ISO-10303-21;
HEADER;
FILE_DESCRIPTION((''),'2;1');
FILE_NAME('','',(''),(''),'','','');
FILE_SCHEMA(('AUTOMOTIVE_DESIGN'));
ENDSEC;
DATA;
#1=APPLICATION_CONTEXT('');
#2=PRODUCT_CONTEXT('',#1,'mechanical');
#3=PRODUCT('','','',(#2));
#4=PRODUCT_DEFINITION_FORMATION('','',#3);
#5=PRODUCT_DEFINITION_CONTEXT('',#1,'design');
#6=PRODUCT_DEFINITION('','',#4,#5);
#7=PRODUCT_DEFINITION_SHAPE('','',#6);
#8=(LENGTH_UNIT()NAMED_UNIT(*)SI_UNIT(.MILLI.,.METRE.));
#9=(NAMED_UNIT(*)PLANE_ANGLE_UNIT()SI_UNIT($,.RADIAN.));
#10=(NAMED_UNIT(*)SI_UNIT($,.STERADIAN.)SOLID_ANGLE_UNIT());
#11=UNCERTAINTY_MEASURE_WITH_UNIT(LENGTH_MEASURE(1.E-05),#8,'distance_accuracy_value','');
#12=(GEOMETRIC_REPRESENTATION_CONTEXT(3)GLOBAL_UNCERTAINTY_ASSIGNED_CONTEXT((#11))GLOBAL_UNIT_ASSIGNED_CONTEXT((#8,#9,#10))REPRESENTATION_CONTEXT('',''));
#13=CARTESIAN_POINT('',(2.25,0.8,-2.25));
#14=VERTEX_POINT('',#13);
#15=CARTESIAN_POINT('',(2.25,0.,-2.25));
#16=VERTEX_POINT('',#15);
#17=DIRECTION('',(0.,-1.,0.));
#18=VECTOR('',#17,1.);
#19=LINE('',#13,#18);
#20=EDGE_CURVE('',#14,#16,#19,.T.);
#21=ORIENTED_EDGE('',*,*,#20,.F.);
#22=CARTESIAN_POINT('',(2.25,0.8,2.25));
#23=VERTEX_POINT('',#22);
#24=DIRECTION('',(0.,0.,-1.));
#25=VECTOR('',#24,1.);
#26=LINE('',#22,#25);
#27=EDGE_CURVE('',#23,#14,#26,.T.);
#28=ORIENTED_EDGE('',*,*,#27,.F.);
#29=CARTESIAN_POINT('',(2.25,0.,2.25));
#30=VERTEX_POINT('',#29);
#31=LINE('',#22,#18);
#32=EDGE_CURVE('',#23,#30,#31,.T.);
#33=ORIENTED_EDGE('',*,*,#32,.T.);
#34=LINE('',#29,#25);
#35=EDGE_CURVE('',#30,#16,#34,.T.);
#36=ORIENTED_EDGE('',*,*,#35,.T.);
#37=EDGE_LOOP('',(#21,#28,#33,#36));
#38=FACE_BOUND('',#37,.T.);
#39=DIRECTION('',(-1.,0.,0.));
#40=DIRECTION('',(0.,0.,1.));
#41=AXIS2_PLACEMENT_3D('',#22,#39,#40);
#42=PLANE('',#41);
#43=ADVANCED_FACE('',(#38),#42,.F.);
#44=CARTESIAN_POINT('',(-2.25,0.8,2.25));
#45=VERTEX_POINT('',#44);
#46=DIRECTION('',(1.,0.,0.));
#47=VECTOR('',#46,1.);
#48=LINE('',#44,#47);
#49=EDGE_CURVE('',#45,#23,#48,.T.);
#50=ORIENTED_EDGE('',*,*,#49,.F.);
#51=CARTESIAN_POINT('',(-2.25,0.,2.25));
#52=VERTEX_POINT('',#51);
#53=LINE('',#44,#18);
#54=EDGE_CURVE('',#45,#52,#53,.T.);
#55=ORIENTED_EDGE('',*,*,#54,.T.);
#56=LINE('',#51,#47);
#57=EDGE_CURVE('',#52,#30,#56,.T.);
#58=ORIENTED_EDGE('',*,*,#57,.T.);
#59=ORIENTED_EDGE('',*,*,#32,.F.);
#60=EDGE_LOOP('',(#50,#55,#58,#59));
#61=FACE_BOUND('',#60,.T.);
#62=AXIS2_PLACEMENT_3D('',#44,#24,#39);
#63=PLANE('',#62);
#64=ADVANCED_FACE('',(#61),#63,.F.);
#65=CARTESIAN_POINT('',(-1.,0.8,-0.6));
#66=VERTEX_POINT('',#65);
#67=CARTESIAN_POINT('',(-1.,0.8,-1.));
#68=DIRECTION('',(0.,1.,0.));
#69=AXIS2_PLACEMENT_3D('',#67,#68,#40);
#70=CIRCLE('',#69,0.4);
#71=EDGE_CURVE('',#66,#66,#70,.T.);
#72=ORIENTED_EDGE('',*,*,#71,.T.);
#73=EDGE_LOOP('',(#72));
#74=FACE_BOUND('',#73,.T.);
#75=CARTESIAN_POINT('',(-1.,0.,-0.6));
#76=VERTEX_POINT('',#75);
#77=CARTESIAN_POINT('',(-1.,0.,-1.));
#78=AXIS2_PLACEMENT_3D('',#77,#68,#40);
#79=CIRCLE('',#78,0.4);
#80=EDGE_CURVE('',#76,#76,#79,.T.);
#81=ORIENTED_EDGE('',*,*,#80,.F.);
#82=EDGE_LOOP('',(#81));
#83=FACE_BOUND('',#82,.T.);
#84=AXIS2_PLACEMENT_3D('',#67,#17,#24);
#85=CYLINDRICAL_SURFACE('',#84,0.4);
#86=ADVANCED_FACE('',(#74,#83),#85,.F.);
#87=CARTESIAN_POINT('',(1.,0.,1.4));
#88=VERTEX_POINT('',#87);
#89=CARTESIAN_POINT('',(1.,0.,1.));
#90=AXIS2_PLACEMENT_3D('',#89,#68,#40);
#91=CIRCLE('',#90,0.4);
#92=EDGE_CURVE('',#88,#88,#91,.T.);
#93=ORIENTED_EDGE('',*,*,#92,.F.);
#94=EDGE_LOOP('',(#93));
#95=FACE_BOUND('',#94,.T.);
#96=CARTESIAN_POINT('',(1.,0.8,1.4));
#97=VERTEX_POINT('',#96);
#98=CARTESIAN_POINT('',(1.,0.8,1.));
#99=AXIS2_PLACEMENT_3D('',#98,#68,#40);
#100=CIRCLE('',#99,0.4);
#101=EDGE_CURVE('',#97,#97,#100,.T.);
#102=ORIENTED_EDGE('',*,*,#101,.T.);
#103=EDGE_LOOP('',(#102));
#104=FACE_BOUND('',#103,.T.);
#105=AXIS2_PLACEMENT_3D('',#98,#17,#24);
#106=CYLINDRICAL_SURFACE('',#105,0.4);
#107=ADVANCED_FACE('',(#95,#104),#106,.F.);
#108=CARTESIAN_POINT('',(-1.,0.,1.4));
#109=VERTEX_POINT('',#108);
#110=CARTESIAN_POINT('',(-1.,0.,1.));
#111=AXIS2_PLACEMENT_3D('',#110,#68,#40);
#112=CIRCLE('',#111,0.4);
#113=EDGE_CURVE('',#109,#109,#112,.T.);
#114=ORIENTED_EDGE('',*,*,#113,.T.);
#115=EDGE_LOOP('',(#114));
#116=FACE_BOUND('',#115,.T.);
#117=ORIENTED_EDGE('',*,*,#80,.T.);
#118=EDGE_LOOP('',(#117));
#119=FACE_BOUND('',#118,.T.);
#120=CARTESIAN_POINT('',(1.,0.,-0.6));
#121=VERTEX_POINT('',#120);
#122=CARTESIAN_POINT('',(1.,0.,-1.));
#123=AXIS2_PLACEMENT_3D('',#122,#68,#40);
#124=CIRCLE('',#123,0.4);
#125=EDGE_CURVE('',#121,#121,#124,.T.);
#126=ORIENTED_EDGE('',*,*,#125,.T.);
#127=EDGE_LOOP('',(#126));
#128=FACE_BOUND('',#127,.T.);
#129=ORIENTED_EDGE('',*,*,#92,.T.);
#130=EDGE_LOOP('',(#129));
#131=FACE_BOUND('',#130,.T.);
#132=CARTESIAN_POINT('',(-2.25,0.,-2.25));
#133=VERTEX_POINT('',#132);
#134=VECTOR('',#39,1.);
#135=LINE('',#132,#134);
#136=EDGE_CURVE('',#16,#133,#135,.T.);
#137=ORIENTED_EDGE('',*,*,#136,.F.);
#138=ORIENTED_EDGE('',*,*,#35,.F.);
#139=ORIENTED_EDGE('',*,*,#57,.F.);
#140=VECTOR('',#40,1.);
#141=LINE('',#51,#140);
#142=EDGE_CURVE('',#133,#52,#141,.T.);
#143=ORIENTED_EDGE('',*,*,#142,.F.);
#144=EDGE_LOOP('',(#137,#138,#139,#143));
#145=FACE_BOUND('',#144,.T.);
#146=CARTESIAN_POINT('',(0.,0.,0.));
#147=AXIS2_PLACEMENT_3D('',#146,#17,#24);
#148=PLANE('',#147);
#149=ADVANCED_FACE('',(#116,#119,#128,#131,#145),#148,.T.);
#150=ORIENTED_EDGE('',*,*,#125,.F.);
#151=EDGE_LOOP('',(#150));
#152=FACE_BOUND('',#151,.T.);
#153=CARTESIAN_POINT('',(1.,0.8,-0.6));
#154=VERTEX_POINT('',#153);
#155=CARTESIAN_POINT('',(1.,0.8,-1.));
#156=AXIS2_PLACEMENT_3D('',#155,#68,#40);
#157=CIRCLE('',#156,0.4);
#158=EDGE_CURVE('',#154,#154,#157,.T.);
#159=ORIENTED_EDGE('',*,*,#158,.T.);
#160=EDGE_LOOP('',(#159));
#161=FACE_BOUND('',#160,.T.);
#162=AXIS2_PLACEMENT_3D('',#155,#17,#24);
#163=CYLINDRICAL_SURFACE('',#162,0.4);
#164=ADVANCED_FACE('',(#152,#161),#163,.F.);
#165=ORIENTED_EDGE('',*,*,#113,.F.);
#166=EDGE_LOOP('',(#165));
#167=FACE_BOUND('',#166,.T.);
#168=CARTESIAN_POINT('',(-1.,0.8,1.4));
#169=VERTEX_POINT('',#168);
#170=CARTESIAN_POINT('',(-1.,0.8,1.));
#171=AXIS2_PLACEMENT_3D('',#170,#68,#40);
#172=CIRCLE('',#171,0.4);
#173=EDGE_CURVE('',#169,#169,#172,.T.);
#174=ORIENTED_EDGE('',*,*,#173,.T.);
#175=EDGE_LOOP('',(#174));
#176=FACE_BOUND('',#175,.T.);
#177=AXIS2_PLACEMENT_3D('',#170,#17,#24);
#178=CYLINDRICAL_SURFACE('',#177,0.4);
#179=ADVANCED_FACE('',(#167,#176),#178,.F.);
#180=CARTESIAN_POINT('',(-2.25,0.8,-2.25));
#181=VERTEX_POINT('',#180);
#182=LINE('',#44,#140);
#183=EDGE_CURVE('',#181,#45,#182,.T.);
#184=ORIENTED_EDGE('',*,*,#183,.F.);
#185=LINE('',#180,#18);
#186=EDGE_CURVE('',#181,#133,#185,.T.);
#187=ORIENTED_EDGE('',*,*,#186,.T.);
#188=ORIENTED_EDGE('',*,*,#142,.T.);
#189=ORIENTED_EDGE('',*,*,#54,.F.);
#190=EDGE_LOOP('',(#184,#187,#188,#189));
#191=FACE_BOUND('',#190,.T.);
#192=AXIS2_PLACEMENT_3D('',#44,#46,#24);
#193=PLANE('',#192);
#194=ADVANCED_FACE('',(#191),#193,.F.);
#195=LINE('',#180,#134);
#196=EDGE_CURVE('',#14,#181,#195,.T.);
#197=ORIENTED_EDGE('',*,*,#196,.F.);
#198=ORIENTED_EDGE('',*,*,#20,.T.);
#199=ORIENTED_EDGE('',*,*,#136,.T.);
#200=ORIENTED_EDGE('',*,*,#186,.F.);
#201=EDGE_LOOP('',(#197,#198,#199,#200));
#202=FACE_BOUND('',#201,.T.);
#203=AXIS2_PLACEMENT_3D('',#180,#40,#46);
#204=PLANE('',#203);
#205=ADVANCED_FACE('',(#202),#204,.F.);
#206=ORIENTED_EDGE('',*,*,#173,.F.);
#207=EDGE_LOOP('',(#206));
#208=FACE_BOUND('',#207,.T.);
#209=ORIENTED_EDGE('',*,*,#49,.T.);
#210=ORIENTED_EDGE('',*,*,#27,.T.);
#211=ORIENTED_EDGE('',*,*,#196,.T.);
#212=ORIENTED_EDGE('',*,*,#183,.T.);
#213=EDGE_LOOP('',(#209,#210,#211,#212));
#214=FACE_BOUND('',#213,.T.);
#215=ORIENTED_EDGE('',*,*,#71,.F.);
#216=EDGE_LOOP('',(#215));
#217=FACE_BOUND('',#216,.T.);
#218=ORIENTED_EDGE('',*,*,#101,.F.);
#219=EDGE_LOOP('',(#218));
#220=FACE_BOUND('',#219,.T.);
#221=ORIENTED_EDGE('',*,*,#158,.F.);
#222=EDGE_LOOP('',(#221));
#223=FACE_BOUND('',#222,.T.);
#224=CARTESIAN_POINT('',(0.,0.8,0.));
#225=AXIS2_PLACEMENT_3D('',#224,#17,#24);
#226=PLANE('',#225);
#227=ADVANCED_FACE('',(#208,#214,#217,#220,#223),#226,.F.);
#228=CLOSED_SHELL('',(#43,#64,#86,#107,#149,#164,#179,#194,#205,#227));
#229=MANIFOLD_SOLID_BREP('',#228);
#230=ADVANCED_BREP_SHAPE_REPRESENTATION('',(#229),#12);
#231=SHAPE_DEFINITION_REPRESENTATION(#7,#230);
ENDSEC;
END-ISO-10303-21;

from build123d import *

# Parameters (mm, degrees)
SKETCH_1_W      = 4.5
SKETCH_1_H      = 4.5
SKETCH_1_R      = 0.4
EXTRUDE_1_DEPTH = 0.8


with BuildPart() as part:
    # 草图1 → 凸台-拉伸1 (new body)
    with BuildSketch(Plane(origin=(0, 0, 0), x_dir=(1, 0, 0), z_dir=(0, 1, 0))):
        Rectangle(SKETCH_1_W, SKETCH_1_H)
        with Locations(Location((-1, 1, 0), (0, 0, 270))):
            Circle(SKETCH_1_R, mode=Mode.SUBTRACT)
        with Locations(Location((1, 1, 0), (0, 0, 270))):
            Circle(SKETCH_1_R, mode=Mode.SUBTRACT)
        with Locations(Location((1, -1, 0), (0, 0, 270))):
            Circle(SKETCH_1_R, mode=Mode.SUBTRACT)
        with Locations(Location((-1, -1, 0), (0, 0, 270))):
            Circle(SKETCH_1_R, mode=Mode.SUBTRACT)
    extrude(amount=EXTRUDE_1_DEPTH)


solid = part.part
